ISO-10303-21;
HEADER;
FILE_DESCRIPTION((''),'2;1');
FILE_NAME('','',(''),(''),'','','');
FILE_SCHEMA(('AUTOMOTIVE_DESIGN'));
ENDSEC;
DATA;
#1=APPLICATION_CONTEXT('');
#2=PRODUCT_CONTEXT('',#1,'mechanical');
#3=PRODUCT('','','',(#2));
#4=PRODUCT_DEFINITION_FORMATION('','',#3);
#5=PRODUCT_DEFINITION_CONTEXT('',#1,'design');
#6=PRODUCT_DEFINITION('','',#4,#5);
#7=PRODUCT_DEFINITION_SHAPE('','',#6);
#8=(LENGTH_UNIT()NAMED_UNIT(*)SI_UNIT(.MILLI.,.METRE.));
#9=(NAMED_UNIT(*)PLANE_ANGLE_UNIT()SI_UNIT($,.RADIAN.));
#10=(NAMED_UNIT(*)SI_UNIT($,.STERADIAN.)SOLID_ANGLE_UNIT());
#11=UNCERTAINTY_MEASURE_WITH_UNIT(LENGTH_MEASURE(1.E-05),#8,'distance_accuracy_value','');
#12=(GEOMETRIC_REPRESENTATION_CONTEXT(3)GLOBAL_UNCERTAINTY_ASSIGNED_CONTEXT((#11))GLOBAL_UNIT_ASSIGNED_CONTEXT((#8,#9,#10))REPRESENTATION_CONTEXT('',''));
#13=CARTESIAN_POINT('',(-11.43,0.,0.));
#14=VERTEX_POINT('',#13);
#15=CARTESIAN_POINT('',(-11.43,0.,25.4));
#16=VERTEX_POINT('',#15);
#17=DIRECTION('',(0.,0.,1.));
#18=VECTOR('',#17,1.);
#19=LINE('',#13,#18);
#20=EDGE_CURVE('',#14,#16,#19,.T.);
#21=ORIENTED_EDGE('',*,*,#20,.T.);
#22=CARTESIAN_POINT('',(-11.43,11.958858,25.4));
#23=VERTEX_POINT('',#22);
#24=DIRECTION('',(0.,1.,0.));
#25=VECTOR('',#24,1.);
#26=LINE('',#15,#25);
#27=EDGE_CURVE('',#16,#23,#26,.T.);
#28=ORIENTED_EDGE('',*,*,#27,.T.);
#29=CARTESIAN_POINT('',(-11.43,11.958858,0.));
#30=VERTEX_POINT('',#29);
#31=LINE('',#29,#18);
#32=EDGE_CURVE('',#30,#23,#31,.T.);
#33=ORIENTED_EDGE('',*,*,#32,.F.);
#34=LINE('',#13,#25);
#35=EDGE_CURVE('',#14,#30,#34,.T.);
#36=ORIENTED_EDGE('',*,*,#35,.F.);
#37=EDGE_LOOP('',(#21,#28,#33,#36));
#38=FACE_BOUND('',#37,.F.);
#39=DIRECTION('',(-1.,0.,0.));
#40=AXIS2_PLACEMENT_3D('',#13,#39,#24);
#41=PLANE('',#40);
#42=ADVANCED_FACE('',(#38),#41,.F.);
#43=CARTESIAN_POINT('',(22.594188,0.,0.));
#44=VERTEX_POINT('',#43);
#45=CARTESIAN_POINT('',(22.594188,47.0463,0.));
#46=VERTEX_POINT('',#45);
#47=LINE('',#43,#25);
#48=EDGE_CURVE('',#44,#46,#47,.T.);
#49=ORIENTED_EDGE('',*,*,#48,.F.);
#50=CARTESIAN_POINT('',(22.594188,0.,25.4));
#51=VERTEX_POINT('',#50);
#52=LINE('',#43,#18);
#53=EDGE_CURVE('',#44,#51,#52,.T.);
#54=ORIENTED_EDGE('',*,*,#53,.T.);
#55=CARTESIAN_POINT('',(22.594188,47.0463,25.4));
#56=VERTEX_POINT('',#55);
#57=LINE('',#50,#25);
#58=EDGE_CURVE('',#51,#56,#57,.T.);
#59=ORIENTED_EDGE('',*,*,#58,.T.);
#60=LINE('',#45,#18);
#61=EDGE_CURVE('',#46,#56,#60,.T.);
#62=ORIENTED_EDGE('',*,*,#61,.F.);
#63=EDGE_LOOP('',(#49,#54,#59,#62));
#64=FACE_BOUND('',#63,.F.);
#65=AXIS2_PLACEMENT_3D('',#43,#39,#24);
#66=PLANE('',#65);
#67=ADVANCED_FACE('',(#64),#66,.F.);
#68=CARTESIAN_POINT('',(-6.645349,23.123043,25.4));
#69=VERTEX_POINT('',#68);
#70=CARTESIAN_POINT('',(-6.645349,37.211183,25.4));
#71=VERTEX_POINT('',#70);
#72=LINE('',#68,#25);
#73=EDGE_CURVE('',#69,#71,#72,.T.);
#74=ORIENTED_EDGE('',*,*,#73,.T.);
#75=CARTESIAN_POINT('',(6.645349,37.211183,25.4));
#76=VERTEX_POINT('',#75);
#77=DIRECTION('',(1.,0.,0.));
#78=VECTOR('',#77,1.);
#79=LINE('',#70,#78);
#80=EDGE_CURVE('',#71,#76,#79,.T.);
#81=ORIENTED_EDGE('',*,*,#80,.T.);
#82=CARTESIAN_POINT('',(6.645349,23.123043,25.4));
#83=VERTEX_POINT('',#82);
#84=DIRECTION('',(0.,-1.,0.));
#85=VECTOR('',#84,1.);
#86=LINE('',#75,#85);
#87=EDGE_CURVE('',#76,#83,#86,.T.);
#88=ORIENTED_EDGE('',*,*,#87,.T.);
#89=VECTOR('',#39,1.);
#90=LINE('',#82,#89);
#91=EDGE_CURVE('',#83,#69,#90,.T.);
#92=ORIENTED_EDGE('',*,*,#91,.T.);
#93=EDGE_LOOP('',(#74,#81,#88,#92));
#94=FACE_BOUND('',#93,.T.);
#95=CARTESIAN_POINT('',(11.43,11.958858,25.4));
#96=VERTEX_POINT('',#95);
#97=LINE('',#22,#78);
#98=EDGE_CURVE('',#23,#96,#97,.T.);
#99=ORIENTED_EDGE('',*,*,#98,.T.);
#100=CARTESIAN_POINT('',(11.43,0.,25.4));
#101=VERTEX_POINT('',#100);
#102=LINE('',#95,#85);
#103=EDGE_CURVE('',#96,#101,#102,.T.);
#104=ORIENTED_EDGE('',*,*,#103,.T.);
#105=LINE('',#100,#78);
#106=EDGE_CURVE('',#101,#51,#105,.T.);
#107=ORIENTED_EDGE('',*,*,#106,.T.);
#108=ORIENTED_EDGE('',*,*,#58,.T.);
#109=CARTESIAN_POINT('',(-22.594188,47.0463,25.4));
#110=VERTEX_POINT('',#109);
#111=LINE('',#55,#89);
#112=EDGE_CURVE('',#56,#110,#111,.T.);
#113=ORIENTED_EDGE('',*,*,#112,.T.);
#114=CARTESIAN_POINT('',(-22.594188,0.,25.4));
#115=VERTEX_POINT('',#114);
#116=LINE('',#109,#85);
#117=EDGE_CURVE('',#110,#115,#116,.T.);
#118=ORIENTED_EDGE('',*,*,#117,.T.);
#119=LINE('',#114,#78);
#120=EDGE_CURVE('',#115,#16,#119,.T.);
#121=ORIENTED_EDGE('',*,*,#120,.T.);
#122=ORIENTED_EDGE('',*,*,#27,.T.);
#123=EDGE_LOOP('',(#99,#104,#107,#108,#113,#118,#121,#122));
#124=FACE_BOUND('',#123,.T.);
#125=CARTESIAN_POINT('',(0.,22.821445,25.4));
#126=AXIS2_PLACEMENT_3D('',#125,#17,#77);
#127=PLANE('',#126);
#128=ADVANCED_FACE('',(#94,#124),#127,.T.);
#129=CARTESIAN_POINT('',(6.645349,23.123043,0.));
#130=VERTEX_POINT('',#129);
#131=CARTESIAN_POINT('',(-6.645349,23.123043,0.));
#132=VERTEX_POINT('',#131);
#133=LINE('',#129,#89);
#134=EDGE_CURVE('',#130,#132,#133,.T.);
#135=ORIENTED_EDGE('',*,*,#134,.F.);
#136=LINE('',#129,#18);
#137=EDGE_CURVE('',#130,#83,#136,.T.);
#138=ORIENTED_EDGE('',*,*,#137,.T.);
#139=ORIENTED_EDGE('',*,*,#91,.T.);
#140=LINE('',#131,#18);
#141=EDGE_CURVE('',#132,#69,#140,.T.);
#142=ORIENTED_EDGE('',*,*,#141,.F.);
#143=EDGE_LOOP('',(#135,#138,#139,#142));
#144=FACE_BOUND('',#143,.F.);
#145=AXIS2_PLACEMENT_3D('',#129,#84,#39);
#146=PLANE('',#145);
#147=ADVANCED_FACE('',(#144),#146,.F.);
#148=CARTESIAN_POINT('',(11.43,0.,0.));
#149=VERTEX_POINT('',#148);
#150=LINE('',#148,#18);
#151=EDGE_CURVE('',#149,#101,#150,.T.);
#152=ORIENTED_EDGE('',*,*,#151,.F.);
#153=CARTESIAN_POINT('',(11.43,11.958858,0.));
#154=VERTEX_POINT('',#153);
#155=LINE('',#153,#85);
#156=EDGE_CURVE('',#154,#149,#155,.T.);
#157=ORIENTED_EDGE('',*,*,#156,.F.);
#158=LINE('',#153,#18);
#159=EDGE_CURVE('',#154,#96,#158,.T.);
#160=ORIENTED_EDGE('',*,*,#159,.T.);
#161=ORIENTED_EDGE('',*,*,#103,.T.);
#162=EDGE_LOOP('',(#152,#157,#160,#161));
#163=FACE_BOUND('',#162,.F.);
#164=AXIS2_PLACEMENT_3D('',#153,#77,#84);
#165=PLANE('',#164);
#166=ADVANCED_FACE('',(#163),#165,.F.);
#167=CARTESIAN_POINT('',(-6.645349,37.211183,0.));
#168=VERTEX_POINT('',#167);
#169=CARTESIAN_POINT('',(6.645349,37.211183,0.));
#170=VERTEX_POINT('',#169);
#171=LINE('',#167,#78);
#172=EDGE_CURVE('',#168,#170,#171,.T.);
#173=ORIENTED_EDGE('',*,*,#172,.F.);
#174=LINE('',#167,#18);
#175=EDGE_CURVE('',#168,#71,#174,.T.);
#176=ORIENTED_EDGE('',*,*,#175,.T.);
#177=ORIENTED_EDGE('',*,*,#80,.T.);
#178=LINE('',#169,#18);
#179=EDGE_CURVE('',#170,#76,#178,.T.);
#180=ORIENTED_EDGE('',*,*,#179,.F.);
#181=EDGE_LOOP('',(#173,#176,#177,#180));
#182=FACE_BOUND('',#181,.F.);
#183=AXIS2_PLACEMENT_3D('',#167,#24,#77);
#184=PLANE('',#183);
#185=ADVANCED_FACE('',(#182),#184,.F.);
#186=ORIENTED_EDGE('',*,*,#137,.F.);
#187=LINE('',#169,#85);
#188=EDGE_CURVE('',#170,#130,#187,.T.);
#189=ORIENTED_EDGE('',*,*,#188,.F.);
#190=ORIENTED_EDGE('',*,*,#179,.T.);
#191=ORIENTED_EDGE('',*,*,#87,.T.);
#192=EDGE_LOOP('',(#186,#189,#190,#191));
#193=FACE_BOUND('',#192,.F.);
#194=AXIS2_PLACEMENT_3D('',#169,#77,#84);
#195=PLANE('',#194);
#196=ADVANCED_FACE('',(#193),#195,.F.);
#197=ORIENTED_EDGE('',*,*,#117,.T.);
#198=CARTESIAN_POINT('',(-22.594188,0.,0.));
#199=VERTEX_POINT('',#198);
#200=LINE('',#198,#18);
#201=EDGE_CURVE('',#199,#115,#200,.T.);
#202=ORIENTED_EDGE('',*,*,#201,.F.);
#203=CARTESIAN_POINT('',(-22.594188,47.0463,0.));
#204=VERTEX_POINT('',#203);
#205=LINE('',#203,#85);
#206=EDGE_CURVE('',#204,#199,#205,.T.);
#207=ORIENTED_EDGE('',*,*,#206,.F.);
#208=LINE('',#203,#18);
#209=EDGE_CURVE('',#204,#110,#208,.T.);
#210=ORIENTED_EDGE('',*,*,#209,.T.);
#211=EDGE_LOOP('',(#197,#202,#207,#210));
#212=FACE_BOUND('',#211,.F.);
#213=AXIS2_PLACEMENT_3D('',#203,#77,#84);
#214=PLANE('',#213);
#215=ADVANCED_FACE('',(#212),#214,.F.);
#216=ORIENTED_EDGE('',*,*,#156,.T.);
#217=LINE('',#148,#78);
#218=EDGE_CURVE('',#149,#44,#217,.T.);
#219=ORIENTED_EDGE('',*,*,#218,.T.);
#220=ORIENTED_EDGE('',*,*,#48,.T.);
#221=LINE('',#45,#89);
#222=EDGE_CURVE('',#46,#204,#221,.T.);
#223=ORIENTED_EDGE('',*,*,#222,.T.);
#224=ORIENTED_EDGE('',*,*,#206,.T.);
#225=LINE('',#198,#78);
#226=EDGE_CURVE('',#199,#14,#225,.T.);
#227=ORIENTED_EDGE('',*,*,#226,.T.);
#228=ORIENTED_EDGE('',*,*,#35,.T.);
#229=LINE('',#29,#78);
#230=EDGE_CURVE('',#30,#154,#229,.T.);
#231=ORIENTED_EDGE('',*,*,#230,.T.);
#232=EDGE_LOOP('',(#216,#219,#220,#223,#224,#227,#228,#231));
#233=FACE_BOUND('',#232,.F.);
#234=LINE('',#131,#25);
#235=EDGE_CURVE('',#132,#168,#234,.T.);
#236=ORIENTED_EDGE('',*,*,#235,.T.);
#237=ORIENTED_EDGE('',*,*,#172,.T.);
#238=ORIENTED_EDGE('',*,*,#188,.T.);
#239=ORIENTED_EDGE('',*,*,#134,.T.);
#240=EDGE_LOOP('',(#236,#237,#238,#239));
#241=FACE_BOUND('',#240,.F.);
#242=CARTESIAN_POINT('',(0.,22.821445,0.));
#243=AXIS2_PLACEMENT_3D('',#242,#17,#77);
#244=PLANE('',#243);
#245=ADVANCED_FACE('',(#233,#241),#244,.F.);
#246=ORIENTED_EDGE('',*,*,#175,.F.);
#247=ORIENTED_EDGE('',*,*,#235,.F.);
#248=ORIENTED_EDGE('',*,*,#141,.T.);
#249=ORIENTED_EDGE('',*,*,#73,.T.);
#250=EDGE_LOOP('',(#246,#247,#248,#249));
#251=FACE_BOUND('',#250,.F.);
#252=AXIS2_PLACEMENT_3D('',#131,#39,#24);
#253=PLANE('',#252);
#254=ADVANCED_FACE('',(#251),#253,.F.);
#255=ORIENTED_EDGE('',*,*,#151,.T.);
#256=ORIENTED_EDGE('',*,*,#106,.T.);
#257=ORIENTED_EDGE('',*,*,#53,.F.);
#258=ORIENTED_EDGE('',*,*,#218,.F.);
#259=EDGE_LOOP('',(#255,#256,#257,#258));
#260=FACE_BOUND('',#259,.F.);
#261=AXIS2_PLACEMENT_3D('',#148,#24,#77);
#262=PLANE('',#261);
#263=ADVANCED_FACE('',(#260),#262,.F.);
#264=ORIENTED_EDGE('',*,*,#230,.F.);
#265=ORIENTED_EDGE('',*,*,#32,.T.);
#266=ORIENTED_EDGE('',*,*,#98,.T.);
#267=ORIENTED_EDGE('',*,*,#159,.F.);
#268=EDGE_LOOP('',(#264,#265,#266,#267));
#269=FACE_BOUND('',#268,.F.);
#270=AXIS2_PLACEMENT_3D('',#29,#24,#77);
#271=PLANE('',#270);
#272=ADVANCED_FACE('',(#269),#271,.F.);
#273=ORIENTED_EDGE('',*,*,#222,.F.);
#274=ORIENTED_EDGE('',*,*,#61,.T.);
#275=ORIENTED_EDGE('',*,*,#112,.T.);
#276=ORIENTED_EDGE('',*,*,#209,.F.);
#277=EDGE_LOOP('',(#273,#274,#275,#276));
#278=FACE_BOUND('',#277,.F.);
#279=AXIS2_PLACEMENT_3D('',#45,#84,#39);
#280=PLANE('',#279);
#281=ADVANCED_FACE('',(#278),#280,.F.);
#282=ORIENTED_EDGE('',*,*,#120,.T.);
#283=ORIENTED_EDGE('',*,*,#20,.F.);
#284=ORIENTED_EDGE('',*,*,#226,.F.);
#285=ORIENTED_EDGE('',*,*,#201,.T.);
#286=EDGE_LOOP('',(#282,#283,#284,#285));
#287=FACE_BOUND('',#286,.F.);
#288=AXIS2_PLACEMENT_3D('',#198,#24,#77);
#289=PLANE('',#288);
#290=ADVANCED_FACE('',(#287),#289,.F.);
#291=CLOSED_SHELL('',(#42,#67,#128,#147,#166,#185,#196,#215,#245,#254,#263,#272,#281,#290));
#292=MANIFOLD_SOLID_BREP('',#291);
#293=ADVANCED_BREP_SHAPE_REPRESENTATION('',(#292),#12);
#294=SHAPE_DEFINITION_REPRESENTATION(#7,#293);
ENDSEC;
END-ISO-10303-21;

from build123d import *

# Parameters (mm, degrees)
F1_DEPTH = 25.4


with BuildPart() as f1:
    # F0 (on Top) → F1 (new body)
    with BuildSketch(Plane.XY):
        Polygon((0, 47.0463), (-22.594188, 47.0463), (-22.594188, 0), (-11.43, 0), (-11.43, 11.958858), (0, 11.958858), (11.43, 11.958858), (11.43, 0), (22.594188, 0), (22.594188, 47.0463), align=None)
        Polygon((6.645349, 23.123043), (0, 23.123043), (-6.645349, 23.123043), (-6.645349, 37.211183), (0, 37.211183), (6.645349, 37.211183), align=None, mode=Mode.SUBTRACT)
    extrude(amount=F1_DEPTH)


solid = f1.part
